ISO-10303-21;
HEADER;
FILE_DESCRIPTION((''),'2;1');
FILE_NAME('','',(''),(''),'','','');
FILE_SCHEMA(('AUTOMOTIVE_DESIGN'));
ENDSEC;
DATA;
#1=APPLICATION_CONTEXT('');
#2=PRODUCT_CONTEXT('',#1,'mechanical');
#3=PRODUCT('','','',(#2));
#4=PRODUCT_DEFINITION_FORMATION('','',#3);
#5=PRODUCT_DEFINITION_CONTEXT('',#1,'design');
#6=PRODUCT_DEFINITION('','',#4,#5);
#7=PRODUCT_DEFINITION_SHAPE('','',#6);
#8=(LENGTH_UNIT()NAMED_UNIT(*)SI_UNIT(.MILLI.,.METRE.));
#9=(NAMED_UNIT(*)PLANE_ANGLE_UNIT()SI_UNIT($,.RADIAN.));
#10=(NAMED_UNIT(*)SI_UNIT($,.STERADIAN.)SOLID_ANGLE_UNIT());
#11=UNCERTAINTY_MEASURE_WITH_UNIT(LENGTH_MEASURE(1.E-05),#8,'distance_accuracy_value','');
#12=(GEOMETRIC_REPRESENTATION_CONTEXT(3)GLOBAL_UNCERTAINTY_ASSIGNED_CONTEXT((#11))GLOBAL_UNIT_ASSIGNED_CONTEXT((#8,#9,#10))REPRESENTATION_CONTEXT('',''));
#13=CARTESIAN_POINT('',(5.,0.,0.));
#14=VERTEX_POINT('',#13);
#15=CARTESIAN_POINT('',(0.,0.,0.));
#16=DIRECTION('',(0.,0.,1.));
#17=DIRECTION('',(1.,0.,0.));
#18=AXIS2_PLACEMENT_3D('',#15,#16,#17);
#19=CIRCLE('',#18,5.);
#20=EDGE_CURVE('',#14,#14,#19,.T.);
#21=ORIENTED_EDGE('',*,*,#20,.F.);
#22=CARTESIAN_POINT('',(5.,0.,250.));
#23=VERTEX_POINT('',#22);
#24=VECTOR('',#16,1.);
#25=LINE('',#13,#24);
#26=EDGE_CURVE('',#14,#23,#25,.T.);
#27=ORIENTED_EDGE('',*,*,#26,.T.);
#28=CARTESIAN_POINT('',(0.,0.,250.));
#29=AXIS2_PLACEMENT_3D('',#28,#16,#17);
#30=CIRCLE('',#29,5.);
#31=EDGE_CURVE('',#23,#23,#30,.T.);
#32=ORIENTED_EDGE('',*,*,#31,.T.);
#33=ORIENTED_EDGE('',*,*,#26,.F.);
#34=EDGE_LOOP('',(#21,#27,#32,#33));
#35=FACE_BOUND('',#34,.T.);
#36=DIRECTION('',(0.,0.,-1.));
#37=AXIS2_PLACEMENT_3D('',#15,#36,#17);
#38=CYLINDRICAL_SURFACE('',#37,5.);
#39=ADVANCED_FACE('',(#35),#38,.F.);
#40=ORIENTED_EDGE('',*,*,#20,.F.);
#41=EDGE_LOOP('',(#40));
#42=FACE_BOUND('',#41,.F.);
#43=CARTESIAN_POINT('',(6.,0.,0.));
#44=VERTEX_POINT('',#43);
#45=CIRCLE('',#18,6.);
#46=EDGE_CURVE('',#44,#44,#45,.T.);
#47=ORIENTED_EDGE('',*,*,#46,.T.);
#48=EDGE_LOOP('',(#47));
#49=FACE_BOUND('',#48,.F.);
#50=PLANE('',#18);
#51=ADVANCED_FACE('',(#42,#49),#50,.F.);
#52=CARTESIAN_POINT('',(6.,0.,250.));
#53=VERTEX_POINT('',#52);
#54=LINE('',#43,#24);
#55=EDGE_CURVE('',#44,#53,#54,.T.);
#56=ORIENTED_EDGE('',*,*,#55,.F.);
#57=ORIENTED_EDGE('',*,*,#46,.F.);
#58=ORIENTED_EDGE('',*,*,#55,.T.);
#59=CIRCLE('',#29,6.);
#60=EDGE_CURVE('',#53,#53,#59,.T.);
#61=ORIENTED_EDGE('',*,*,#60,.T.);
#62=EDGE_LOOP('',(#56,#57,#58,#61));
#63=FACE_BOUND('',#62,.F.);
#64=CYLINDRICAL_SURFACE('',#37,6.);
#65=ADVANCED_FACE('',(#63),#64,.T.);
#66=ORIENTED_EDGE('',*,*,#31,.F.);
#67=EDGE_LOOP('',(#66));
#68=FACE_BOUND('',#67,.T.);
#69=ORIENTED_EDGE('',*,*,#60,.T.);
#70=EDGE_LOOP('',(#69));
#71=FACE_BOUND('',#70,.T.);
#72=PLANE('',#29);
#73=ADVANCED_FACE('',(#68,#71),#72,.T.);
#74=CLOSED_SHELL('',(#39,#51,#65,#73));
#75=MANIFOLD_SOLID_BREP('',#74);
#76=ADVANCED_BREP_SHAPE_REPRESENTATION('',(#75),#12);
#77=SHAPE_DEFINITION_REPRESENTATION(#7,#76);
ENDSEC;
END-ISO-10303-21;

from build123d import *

# Parameters (mm, degrees)
ESQUISSE1_R        = 6
ESQUISSE1_R_2      = 5
BOSS_EXTRU_1_DEPTH = 250


with BuildPart() as part:
    # Esquisse1 → Boss.-Extru.1 (new body)
    with BuildSketch(Plane.XY):
        Circle(ESQUISSE1_R)
        Circle(ESQUISSE1_R_2, mode=Mode.SUBTRACT)
    extrude(amount=BOSS_EXTRU_1_DEPTH)


solid = part.part
